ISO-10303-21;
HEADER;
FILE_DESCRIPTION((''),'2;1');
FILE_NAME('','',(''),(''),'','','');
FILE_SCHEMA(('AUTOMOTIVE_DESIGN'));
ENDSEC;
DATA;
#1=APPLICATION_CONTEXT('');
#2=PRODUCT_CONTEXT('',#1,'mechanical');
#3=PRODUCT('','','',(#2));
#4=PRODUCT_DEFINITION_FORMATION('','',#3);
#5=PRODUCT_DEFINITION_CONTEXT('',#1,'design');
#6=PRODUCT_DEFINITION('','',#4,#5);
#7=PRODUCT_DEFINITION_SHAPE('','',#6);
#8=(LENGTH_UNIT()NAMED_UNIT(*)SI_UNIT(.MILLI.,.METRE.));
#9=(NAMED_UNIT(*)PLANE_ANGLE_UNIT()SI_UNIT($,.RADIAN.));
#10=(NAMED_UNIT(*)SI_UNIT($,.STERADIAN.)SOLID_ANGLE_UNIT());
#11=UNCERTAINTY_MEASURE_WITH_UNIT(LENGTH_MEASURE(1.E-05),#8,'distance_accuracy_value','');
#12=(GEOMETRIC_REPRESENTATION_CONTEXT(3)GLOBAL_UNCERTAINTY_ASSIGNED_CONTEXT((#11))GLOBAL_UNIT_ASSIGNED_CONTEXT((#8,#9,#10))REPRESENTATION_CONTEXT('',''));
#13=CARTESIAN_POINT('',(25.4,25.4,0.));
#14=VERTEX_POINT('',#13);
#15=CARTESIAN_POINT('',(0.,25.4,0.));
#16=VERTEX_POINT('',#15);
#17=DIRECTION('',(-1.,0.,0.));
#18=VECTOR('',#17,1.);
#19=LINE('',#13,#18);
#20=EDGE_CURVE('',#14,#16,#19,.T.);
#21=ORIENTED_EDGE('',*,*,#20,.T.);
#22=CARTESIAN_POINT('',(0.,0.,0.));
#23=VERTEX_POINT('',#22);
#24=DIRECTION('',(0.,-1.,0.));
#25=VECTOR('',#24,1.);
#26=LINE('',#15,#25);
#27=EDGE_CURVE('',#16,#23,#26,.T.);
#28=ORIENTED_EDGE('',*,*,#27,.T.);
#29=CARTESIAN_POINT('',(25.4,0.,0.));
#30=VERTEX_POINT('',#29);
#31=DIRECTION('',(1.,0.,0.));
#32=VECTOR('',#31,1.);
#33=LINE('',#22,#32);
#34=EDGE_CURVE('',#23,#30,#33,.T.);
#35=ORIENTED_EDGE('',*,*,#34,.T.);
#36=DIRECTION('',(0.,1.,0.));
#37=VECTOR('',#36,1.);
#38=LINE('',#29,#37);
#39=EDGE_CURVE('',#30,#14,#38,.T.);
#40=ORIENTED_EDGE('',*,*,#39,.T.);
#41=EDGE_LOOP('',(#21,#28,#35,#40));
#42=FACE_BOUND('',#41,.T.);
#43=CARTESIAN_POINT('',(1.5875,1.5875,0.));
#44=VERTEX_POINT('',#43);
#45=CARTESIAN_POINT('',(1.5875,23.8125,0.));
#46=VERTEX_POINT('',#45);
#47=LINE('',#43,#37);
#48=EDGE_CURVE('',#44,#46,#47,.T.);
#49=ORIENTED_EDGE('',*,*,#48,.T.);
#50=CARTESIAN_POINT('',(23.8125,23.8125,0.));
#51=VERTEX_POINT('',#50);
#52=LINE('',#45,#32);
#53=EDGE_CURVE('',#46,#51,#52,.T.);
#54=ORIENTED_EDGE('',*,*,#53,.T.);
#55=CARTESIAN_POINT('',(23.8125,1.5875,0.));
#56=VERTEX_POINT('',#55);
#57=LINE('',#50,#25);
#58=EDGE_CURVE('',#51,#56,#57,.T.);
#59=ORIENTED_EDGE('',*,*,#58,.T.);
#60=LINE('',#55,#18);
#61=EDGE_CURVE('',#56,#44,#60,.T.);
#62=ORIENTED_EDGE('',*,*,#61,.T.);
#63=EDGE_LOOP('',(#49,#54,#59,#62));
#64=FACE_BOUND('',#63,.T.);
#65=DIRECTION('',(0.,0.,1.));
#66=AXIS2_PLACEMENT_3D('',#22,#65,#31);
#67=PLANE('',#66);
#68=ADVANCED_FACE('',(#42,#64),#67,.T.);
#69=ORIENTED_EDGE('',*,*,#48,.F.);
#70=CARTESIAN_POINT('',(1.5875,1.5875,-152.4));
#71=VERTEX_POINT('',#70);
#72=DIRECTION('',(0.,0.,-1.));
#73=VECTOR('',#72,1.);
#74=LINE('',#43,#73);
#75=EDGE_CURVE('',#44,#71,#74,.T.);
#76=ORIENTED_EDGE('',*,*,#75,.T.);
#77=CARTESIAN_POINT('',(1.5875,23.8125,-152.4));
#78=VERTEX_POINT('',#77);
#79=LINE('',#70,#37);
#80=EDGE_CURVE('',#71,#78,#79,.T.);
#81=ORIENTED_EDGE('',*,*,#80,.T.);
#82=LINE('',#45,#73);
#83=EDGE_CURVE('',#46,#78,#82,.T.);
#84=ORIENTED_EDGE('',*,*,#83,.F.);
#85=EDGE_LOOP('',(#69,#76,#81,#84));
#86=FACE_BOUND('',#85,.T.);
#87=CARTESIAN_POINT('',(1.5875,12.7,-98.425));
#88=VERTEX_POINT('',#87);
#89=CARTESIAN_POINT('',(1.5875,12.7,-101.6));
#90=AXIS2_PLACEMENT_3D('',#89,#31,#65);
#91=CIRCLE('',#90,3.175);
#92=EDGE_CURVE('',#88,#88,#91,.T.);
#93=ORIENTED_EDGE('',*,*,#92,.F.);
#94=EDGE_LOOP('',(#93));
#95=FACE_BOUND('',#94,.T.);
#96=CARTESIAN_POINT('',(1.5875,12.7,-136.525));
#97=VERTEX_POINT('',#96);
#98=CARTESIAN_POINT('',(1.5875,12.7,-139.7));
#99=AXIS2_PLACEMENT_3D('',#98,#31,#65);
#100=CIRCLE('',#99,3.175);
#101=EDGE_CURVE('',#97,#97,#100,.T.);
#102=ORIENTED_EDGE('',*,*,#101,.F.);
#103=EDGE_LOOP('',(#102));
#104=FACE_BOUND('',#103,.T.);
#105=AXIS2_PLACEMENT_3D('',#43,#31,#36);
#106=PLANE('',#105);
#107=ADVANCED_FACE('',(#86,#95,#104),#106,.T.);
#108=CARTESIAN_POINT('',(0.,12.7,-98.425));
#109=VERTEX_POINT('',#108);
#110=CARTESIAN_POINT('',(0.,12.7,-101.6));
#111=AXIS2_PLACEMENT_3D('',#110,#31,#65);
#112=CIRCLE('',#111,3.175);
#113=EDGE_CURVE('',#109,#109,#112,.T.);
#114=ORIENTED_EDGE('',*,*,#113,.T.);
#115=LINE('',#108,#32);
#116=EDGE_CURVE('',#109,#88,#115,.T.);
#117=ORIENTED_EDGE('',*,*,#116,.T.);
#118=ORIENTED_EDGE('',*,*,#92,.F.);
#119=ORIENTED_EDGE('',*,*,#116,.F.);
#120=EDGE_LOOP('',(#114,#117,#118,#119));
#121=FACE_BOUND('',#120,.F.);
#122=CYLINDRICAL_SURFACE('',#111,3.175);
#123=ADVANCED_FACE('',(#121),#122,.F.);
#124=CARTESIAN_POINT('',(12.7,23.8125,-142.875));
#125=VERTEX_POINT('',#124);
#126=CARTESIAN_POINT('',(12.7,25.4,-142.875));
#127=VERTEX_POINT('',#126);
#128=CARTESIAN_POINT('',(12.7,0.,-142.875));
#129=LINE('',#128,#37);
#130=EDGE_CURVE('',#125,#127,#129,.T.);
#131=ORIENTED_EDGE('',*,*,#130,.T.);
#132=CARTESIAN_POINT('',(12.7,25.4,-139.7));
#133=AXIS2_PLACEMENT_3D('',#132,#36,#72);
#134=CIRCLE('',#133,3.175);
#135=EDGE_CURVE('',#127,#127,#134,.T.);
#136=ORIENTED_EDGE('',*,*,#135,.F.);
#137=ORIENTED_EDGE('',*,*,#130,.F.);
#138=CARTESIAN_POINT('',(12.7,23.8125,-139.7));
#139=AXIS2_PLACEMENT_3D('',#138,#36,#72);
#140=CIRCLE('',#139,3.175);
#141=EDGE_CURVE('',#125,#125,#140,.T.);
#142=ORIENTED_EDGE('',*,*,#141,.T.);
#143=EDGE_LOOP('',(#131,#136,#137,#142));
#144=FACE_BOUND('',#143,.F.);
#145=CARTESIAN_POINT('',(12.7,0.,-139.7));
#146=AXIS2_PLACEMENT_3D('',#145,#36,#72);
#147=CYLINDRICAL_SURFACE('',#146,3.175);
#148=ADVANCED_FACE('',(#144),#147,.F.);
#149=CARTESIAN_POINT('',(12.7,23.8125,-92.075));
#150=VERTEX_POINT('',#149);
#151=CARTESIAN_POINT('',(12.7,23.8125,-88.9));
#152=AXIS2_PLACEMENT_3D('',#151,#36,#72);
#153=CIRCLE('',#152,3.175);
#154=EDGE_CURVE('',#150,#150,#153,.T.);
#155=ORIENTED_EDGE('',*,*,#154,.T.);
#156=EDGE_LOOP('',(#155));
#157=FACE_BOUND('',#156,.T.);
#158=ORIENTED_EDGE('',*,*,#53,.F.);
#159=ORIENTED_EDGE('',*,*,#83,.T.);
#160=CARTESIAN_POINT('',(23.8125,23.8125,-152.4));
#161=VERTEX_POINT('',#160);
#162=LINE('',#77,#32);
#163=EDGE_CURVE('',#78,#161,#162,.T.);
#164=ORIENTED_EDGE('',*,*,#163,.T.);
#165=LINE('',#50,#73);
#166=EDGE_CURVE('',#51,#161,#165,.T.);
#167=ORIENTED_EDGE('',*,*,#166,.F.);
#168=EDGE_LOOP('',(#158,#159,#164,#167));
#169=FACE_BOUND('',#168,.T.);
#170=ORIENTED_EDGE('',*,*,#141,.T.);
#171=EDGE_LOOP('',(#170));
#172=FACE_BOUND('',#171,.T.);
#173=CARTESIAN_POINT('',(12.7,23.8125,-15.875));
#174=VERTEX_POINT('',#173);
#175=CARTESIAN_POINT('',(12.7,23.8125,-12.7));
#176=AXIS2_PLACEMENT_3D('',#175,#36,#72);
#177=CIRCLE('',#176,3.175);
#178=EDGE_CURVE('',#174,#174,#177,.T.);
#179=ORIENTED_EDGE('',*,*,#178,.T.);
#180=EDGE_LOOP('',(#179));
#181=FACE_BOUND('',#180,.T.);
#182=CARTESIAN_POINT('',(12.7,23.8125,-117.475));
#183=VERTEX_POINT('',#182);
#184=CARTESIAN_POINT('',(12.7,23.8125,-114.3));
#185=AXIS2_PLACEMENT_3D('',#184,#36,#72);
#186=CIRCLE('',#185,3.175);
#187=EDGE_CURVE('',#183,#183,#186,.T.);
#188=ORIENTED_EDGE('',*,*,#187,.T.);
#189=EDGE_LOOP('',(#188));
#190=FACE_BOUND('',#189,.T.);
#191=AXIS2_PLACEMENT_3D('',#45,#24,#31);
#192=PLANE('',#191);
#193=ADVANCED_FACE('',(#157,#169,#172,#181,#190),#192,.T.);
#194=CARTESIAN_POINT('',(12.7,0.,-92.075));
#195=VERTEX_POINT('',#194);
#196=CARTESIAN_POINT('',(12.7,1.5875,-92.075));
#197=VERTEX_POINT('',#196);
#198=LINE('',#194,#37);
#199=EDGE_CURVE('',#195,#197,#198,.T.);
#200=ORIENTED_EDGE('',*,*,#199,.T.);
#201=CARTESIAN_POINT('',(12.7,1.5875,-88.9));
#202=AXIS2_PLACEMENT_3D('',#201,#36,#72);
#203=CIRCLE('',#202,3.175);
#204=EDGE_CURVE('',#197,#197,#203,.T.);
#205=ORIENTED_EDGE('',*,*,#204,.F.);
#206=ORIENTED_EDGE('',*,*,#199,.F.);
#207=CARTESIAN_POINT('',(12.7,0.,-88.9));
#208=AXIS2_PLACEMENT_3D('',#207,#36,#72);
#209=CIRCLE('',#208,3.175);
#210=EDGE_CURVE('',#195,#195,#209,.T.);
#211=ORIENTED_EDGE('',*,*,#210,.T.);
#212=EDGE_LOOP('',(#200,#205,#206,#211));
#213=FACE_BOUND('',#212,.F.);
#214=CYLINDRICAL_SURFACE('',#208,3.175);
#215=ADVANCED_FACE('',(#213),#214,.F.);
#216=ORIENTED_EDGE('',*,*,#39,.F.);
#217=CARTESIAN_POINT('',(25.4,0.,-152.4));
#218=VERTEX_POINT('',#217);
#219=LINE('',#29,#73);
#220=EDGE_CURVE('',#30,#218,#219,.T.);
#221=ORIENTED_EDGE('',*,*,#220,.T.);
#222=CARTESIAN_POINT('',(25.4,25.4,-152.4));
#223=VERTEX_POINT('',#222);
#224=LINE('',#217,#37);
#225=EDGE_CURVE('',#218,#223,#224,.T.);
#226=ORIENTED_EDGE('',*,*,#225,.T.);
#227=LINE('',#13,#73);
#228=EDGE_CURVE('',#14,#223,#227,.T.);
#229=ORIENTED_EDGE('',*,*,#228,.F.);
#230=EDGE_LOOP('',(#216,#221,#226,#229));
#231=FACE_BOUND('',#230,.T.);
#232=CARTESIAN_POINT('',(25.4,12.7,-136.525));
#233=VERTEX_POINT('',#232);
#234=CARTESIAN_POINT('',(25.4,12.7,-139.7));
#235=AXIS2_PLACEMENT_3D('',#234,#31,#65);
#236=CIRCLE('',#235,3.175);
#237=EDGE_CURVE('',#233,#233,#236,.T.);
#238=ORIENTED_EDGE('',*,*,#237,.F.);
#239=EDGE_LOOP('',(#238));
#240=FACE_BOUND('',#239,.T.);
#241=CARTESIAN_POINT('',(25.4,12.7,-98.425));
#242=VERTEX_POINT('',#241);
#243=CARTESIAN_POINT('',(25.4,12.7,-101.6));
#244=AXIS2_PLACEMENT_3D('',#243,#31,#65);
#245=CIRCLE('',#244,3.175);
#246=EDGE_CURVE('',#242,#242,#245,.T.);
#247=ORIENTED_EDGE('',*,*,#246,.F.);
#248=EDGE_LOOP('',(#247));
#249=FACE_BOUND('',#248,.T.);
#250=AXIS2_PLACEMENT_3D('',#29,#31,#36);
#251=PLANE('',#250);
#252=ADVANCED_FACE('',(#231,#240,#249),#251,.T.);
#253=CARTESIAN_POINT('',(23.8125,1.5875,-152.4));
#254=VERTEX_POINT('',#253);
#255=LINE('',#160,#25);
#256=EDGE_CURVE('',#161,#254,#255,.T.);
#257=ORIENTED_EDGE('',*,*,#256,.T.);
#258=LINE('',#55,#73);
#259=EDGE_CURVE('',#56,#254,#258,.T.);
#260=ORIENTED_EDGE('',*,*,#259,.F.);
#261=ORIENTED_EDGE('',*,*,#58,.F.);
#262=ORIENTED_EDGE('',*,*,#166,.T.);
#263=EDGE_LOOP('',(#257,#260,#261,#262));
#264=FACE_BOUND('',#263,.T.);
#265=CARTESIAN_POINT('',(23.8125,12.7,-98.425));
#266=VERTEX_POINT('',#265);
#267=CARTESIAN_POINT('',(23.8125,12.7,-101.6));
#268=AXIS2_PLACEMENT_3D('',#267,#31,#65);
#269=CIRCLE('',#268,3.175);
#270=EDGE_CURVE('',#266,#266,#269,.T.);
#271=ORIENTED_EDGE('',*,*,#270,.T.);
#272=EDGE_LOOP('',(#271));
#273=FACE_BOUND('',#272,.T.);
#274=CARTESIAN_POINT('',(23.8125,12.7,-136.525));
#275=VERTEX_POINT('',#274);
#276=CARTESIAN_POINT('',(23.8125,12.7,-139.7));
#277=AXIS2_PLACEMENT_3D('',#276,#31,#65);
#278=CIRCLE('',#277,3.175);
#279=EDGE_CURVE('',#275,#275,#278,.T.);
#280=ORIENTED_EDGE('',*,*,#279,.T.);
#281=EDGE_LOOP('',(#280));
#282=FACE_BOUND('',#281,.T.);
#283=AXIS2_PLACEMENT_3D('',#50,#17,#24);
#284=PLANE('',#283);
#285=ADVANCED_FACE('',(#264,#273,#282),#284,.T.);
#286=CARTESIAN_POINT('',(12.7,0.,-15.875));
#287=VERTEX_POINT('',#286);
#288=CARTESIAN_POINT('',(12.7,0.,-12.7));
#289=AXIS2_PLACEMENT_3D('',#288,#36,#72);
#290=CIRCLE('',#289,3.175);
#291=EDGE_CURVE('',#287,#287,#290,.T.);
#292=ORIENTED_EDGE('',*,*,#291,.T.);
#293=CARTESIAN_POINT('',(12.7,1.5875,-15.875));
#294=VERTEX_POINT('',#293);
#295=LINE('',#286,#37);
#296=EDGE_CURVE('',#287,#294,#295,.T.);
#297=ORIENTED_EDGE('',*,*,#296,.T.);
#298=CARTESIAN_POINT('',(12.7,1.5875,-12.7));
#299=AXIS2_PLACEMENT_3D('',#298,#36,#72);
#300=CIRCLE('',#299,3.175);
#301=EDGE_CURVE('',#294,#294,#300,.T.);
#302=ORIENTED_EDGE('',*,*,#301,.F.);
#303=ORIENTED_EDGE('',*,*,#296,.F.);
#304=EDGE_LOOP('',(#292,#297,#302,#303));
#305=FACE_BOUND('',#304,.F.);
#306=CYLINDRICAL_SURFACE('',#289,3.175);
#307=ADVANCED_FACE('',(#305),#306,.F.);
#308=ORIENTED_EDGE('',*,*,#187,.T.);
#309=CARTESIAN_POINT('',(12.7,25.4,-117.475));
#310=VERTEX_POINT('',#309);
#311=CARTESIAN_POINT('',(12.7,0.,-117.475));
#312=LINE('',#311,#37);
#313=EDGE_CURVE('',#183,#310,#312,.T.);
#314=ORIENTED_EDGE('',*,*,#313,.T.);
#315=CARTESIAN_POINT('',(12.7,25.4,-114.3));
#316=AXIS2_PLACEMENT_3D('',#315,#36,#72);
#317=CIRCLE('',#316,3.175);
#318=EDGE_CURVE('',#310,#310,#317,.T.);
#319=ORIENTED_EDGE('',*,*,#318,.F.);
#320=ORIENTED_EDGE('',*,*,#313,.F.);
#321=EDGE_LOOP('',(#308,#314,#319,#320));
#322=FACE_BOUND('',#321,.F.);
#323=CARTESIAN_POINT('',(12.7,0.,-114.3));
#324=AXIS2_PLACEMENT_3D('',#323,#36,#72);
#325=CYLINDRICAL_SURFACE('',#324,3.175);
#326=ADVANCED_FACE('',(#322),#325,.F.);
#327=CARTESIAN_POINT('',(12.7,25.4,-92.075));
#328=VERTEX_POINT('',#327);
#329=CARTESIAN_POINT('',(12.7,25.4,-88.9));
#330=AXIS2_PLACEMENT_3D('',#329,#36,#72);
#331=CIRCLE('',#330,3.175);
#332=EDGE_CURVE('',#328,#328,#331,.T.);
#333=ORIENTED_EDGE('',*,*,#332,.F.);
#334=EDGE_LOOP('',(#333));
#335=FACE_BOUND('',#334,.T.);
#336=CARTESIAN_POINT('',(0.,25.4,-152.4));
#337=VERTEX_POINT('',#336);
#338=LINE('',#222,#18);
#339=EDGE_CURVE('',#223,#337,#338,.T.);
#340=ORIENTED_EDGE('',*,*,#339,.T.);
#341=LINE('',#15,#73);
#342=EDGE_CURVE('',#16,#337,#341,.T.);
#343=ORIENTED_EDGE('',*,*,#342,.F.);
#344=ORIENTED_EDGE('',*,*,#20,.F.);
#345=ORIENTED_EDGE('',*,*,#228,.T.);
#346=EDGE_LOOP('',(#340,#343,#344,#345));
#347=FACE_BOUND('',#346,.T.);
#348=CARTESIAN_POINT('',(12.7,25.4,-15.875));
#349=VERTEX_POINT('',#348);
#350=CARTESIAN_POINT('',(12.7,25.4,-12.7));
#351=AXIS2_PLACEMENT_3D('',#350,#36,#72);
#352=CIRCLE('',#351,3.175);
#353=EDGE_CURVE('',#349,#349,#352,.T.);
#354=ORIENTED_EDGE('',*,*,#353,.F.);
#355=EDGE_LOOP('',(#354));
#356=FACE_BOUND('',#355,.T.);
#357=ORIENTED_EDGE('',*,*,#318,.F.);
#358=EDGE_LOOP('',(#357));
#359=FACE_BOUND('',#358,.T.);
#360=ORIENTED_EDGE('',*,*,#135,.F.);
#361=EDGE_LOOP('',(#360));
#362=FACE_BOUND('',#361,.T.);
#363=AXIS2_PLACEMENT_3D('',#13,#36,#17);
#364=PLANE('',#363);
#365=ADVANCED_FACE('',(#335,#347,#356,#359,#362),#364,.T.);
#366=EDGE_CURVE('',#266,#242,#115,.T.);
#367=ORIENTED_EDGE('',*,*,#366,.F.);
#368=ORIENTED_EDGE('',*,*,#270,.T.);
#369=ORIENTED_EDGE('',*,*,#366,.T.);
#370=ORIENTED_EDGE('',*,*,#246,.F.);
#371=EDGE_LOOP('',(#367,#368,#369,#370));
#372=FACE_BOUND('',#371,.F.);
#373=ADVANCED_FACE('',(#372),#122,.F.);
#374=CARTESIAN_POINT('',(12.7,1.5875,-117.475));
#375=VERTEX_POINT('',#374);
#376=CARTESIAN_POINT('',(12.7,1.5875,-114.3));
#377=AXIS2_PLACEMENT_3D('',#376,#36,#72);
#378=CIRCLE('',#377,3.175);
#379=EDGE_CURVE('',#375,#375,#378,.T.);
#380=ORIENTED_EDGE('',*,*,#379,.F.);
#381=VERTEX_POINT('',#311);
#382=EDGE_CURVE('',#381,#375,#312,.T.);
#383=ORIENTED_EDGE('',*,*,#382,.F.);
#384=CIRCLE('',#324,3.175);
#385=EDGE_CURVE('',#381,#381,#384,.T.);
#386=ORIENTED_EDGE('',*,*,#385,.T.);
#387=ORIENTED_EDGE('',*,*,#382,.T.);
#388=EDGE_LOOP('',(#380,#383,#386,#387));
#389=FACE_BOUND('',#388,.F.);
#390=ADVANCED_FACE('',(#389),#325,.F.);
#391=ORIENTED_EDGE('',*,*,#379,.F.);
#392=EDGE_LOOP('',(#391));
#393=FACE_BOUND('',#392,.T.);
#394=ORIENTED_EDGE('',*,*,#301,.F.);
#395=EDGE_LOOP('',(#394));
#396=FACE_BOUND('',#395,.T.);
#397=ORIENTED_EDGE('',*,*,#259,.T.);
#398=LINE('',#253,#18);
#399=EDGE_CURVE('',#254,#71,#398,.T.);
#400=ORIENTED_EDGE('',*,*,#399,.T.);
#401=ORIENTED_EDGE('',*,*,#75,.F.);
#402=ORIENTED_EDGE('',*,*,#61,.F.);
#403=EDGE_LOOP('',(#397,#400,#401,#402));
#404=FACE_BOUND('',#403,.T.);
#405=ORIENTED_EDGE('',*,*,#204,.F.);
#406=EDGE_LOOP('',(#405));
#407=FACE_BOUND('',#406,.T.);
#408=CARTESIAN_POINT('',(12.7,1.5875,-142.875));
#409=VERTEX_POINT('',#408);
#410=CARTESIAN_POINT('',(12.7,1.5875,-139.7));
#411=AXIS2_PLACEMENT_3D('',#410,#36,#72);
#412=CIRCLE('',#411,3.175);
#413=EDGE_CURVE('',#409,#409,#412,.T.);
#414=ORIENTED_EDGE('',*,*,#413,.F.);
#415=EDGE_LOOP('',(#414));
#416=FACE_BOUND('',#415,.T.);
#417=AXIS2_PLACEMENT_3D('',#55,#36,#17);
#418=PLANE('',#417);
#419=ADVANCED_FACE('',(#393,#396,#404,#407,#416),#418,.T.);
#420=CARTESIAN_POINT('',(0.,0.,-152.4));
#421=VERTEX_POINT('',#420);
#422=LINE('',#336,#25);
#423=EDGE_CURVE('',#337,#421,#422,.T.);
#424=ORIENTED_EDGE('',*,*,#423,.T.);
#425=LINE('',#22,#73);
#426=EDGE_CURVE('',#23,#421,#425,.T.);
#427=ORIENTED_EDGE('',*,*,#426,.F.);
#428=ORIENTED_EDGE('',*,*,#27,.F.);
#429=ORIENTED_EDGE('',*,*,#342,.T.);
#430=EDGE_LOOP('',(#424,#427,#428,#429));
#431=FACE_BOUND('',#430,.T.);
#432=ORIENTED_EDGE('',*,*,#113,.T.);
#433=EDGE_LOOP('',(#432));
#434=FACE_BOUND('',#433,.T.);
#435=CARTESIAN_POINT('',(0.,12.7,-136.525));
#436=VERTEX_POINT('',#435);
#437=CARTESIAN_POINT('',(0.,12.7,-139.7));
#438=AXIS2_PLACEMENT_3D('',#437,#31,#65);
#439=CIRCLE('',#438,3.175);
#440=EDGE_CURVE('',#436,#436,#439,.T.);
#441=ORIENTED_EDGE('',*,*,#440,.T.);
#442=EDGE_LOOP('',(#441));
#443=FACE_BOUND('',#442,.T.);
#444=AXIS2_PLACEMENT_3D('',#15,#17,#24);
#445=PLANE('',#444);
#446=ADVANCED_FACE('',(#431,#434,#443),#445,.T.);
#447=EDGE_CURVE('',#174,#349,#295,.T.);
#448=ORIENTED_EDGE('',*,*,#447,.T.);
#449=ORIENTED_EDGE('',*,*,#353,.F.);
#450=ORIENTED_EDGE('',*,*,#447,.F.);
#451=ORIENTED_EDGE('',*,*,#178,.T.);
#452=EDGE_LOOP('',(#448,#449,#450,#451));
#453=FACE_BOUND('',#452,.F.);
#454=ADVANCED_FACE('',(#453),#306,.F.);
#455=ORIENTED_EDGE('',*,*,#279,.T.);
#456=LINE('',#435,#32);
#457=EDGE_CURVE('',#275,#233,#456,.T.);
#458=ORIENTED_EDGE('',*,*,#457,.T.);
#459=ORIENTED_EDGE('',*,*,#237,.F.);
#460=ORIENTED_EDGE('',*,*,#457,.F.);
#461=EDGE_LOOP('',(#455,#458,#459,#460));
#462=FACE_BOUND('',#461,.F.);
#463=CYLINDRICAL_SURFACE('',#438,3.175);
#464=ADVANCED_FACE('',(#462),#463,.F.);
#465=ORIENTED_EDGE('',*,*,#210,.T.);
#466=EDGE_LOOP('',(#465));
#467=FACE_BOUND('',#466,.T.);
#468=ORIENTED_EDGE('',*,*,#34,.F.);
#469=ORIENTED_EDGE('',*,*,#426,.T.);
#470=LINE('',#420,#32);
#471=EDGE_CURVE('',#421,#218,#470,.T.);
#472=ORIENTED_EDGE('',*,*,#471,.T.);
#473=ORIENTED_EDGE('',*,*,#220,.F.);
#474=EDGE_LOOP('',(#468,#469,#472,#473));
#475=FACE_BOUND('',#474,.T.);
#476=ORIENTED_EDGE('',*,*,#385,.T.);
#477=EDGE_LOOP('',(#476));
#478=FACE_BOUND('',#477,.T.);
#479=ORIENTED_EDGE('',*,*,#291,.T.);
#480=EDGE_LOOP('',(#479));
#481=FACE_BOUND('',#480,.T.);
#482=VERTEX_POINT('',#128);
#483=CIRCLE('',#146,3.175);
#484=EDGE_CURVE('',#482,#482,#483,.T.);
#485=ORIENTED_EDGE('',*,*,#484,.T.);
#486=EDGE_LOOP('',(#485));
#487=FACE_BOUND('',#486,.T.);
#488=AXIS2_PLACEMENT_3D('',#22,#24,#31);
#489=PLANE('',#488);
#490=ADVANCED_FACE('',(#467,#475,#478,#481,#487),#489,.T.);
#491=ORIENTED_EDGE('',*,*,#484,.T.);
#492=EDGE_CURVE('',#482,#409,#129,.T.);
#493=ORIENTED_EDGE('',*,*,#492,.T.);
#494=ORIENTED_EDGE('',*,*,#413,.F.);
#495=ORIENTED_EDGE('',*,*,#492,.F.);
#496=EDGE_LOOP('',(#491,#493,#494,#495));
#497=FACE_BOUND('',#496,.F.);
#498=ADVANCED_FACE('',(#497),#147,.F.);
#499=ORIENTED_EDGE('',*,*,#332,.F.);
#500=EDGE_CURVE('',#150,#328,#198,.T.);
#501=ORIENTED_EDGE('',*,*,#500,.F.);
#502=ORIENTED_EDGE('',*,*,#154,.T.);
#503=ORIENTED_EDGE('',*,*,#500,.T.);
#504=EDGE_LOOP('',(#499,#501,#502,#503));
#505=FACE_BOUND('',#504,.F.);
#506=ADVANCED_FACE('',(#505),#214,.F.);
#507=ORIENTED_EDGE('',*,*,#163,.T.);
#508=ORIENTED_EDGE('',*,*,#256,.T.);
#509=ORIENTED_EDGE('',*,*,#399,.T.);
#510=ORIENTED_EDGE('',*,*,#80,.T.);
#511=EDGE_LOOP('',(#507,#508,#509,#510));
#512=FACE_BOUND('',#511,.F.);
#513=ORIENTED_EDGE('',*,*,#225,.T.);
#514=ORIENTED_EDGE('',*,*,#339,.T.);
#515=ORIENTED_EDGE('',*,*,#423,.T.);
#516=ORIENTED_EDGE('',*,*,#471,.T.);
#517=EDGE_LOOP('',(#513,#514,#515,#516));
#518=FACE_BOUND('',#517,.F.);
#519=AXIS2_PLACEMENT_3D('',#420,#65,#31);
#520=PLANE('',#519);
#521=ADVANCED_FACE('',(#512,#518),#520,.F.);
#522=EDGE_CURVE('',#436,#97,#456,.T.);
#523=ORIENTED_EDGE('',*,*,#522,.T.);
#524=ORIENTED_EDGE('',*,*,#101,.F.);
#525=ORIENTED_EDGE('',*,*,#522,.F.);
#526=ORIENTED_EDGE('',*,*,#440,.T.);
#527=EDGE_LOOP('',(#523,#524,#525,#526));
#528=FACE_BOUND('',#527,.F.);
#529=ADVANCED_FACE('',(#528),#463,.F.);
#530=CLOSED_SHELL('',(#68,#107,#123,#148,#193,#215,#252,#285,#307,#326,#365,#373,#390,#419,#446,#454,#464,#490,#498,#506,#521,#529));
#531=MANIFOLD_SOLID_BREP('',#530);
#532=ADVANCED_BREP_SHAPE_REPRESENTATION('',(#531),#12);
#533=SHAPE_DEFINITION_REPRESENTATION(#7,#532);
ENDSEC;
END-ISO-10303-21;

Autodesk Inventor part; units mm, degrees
ref_plane "YZ Plane" through (0, 0, 0) normal (1, 0, 0) x (0, 1, 0)
ref_plane "XZ Plane" through (0, 0, 0) normal (0, 1, 0) x (-1, 0, 0)
ref_plane "XY Plane" through (0, 0, 0) normal (0, 0, 1) x (1, 0, 0)
sketch "Sketch1" plane through (0, 0, 0) normal (0, 0, 1) x (1, 0, 0)
  line L0 (0, 0) -> (25.4, 0)
  line L1 (25.4, 0) -> (25.4, 25.4)
  line L2 (25.4, 25.4) -> (0, 25.4)
  line L3 (0, 25.4) -> (0, 0)
  line L4 (1.5875, 23.8125) -> (23.8125, 23.8125)
  line L5 (23.8125, 23.8125) -> (23.8125, 1.5875)
  line L6 (23.8125, 1.5875) -> (1.5875, 1.5875)
  line L7 (1.5875, 1.5875) -> (1.5875, 23.8125)
  dimension "d0" = 25.4
  dimension "d1" = 25.4
  dimension "d2" = 1.5875
extrude "Extrusion1" add sketch "Sketch1" against normal blind 152.4
sketch "Sketch2" plane through (0, 0, 0) normal (0, -1, 0) x (1, 0, 0)
  line L0 (0, -152.4) -> (25.4, -152.4) projected
  line L1 (0, 0) -> (25.4, 0) projected
  point P0 (12.7, -12.7)
  point P1 (12.7, -139.7)
  point P2 (12.7, -114.3)
  point P3 (12.7, -88.9)
  point P4 (12.7, -152.4)
  dimension "d5" = 25.4
  dimension "d6" = 25.4
  dimension "d7" = 12.7
  dimension "d8" = 12.7
hole "Hole1" at (12.7, 0, -12.7) at (12.7, 0, -139.7) at (12.7, 0, -114.3) at (12.7, 0, -88.9) direction (0, 1, 0) diameter 6.35 depth 25.4 tip angle 118
sketch "Sketch3" plane through (0, 0, 0) normal (-1, 0, 0) x (0, 0, 1)
  line L0 (-152.4, 25.4) -> (-152.4, 0) projected
  point P0 (-139.7, 12.7)
  point P1 (-101.6, 12.7)
  dimension "d25" = 12.7
  dimension "d27" = 38.1
hole "Hole2" at (0, 12.7, -139.7) at (0, 12.7, -101.6) direction (1, 0, 0) diameter 6.35 depth 25.4 tip angle 118
properties part number "1tube_6"
